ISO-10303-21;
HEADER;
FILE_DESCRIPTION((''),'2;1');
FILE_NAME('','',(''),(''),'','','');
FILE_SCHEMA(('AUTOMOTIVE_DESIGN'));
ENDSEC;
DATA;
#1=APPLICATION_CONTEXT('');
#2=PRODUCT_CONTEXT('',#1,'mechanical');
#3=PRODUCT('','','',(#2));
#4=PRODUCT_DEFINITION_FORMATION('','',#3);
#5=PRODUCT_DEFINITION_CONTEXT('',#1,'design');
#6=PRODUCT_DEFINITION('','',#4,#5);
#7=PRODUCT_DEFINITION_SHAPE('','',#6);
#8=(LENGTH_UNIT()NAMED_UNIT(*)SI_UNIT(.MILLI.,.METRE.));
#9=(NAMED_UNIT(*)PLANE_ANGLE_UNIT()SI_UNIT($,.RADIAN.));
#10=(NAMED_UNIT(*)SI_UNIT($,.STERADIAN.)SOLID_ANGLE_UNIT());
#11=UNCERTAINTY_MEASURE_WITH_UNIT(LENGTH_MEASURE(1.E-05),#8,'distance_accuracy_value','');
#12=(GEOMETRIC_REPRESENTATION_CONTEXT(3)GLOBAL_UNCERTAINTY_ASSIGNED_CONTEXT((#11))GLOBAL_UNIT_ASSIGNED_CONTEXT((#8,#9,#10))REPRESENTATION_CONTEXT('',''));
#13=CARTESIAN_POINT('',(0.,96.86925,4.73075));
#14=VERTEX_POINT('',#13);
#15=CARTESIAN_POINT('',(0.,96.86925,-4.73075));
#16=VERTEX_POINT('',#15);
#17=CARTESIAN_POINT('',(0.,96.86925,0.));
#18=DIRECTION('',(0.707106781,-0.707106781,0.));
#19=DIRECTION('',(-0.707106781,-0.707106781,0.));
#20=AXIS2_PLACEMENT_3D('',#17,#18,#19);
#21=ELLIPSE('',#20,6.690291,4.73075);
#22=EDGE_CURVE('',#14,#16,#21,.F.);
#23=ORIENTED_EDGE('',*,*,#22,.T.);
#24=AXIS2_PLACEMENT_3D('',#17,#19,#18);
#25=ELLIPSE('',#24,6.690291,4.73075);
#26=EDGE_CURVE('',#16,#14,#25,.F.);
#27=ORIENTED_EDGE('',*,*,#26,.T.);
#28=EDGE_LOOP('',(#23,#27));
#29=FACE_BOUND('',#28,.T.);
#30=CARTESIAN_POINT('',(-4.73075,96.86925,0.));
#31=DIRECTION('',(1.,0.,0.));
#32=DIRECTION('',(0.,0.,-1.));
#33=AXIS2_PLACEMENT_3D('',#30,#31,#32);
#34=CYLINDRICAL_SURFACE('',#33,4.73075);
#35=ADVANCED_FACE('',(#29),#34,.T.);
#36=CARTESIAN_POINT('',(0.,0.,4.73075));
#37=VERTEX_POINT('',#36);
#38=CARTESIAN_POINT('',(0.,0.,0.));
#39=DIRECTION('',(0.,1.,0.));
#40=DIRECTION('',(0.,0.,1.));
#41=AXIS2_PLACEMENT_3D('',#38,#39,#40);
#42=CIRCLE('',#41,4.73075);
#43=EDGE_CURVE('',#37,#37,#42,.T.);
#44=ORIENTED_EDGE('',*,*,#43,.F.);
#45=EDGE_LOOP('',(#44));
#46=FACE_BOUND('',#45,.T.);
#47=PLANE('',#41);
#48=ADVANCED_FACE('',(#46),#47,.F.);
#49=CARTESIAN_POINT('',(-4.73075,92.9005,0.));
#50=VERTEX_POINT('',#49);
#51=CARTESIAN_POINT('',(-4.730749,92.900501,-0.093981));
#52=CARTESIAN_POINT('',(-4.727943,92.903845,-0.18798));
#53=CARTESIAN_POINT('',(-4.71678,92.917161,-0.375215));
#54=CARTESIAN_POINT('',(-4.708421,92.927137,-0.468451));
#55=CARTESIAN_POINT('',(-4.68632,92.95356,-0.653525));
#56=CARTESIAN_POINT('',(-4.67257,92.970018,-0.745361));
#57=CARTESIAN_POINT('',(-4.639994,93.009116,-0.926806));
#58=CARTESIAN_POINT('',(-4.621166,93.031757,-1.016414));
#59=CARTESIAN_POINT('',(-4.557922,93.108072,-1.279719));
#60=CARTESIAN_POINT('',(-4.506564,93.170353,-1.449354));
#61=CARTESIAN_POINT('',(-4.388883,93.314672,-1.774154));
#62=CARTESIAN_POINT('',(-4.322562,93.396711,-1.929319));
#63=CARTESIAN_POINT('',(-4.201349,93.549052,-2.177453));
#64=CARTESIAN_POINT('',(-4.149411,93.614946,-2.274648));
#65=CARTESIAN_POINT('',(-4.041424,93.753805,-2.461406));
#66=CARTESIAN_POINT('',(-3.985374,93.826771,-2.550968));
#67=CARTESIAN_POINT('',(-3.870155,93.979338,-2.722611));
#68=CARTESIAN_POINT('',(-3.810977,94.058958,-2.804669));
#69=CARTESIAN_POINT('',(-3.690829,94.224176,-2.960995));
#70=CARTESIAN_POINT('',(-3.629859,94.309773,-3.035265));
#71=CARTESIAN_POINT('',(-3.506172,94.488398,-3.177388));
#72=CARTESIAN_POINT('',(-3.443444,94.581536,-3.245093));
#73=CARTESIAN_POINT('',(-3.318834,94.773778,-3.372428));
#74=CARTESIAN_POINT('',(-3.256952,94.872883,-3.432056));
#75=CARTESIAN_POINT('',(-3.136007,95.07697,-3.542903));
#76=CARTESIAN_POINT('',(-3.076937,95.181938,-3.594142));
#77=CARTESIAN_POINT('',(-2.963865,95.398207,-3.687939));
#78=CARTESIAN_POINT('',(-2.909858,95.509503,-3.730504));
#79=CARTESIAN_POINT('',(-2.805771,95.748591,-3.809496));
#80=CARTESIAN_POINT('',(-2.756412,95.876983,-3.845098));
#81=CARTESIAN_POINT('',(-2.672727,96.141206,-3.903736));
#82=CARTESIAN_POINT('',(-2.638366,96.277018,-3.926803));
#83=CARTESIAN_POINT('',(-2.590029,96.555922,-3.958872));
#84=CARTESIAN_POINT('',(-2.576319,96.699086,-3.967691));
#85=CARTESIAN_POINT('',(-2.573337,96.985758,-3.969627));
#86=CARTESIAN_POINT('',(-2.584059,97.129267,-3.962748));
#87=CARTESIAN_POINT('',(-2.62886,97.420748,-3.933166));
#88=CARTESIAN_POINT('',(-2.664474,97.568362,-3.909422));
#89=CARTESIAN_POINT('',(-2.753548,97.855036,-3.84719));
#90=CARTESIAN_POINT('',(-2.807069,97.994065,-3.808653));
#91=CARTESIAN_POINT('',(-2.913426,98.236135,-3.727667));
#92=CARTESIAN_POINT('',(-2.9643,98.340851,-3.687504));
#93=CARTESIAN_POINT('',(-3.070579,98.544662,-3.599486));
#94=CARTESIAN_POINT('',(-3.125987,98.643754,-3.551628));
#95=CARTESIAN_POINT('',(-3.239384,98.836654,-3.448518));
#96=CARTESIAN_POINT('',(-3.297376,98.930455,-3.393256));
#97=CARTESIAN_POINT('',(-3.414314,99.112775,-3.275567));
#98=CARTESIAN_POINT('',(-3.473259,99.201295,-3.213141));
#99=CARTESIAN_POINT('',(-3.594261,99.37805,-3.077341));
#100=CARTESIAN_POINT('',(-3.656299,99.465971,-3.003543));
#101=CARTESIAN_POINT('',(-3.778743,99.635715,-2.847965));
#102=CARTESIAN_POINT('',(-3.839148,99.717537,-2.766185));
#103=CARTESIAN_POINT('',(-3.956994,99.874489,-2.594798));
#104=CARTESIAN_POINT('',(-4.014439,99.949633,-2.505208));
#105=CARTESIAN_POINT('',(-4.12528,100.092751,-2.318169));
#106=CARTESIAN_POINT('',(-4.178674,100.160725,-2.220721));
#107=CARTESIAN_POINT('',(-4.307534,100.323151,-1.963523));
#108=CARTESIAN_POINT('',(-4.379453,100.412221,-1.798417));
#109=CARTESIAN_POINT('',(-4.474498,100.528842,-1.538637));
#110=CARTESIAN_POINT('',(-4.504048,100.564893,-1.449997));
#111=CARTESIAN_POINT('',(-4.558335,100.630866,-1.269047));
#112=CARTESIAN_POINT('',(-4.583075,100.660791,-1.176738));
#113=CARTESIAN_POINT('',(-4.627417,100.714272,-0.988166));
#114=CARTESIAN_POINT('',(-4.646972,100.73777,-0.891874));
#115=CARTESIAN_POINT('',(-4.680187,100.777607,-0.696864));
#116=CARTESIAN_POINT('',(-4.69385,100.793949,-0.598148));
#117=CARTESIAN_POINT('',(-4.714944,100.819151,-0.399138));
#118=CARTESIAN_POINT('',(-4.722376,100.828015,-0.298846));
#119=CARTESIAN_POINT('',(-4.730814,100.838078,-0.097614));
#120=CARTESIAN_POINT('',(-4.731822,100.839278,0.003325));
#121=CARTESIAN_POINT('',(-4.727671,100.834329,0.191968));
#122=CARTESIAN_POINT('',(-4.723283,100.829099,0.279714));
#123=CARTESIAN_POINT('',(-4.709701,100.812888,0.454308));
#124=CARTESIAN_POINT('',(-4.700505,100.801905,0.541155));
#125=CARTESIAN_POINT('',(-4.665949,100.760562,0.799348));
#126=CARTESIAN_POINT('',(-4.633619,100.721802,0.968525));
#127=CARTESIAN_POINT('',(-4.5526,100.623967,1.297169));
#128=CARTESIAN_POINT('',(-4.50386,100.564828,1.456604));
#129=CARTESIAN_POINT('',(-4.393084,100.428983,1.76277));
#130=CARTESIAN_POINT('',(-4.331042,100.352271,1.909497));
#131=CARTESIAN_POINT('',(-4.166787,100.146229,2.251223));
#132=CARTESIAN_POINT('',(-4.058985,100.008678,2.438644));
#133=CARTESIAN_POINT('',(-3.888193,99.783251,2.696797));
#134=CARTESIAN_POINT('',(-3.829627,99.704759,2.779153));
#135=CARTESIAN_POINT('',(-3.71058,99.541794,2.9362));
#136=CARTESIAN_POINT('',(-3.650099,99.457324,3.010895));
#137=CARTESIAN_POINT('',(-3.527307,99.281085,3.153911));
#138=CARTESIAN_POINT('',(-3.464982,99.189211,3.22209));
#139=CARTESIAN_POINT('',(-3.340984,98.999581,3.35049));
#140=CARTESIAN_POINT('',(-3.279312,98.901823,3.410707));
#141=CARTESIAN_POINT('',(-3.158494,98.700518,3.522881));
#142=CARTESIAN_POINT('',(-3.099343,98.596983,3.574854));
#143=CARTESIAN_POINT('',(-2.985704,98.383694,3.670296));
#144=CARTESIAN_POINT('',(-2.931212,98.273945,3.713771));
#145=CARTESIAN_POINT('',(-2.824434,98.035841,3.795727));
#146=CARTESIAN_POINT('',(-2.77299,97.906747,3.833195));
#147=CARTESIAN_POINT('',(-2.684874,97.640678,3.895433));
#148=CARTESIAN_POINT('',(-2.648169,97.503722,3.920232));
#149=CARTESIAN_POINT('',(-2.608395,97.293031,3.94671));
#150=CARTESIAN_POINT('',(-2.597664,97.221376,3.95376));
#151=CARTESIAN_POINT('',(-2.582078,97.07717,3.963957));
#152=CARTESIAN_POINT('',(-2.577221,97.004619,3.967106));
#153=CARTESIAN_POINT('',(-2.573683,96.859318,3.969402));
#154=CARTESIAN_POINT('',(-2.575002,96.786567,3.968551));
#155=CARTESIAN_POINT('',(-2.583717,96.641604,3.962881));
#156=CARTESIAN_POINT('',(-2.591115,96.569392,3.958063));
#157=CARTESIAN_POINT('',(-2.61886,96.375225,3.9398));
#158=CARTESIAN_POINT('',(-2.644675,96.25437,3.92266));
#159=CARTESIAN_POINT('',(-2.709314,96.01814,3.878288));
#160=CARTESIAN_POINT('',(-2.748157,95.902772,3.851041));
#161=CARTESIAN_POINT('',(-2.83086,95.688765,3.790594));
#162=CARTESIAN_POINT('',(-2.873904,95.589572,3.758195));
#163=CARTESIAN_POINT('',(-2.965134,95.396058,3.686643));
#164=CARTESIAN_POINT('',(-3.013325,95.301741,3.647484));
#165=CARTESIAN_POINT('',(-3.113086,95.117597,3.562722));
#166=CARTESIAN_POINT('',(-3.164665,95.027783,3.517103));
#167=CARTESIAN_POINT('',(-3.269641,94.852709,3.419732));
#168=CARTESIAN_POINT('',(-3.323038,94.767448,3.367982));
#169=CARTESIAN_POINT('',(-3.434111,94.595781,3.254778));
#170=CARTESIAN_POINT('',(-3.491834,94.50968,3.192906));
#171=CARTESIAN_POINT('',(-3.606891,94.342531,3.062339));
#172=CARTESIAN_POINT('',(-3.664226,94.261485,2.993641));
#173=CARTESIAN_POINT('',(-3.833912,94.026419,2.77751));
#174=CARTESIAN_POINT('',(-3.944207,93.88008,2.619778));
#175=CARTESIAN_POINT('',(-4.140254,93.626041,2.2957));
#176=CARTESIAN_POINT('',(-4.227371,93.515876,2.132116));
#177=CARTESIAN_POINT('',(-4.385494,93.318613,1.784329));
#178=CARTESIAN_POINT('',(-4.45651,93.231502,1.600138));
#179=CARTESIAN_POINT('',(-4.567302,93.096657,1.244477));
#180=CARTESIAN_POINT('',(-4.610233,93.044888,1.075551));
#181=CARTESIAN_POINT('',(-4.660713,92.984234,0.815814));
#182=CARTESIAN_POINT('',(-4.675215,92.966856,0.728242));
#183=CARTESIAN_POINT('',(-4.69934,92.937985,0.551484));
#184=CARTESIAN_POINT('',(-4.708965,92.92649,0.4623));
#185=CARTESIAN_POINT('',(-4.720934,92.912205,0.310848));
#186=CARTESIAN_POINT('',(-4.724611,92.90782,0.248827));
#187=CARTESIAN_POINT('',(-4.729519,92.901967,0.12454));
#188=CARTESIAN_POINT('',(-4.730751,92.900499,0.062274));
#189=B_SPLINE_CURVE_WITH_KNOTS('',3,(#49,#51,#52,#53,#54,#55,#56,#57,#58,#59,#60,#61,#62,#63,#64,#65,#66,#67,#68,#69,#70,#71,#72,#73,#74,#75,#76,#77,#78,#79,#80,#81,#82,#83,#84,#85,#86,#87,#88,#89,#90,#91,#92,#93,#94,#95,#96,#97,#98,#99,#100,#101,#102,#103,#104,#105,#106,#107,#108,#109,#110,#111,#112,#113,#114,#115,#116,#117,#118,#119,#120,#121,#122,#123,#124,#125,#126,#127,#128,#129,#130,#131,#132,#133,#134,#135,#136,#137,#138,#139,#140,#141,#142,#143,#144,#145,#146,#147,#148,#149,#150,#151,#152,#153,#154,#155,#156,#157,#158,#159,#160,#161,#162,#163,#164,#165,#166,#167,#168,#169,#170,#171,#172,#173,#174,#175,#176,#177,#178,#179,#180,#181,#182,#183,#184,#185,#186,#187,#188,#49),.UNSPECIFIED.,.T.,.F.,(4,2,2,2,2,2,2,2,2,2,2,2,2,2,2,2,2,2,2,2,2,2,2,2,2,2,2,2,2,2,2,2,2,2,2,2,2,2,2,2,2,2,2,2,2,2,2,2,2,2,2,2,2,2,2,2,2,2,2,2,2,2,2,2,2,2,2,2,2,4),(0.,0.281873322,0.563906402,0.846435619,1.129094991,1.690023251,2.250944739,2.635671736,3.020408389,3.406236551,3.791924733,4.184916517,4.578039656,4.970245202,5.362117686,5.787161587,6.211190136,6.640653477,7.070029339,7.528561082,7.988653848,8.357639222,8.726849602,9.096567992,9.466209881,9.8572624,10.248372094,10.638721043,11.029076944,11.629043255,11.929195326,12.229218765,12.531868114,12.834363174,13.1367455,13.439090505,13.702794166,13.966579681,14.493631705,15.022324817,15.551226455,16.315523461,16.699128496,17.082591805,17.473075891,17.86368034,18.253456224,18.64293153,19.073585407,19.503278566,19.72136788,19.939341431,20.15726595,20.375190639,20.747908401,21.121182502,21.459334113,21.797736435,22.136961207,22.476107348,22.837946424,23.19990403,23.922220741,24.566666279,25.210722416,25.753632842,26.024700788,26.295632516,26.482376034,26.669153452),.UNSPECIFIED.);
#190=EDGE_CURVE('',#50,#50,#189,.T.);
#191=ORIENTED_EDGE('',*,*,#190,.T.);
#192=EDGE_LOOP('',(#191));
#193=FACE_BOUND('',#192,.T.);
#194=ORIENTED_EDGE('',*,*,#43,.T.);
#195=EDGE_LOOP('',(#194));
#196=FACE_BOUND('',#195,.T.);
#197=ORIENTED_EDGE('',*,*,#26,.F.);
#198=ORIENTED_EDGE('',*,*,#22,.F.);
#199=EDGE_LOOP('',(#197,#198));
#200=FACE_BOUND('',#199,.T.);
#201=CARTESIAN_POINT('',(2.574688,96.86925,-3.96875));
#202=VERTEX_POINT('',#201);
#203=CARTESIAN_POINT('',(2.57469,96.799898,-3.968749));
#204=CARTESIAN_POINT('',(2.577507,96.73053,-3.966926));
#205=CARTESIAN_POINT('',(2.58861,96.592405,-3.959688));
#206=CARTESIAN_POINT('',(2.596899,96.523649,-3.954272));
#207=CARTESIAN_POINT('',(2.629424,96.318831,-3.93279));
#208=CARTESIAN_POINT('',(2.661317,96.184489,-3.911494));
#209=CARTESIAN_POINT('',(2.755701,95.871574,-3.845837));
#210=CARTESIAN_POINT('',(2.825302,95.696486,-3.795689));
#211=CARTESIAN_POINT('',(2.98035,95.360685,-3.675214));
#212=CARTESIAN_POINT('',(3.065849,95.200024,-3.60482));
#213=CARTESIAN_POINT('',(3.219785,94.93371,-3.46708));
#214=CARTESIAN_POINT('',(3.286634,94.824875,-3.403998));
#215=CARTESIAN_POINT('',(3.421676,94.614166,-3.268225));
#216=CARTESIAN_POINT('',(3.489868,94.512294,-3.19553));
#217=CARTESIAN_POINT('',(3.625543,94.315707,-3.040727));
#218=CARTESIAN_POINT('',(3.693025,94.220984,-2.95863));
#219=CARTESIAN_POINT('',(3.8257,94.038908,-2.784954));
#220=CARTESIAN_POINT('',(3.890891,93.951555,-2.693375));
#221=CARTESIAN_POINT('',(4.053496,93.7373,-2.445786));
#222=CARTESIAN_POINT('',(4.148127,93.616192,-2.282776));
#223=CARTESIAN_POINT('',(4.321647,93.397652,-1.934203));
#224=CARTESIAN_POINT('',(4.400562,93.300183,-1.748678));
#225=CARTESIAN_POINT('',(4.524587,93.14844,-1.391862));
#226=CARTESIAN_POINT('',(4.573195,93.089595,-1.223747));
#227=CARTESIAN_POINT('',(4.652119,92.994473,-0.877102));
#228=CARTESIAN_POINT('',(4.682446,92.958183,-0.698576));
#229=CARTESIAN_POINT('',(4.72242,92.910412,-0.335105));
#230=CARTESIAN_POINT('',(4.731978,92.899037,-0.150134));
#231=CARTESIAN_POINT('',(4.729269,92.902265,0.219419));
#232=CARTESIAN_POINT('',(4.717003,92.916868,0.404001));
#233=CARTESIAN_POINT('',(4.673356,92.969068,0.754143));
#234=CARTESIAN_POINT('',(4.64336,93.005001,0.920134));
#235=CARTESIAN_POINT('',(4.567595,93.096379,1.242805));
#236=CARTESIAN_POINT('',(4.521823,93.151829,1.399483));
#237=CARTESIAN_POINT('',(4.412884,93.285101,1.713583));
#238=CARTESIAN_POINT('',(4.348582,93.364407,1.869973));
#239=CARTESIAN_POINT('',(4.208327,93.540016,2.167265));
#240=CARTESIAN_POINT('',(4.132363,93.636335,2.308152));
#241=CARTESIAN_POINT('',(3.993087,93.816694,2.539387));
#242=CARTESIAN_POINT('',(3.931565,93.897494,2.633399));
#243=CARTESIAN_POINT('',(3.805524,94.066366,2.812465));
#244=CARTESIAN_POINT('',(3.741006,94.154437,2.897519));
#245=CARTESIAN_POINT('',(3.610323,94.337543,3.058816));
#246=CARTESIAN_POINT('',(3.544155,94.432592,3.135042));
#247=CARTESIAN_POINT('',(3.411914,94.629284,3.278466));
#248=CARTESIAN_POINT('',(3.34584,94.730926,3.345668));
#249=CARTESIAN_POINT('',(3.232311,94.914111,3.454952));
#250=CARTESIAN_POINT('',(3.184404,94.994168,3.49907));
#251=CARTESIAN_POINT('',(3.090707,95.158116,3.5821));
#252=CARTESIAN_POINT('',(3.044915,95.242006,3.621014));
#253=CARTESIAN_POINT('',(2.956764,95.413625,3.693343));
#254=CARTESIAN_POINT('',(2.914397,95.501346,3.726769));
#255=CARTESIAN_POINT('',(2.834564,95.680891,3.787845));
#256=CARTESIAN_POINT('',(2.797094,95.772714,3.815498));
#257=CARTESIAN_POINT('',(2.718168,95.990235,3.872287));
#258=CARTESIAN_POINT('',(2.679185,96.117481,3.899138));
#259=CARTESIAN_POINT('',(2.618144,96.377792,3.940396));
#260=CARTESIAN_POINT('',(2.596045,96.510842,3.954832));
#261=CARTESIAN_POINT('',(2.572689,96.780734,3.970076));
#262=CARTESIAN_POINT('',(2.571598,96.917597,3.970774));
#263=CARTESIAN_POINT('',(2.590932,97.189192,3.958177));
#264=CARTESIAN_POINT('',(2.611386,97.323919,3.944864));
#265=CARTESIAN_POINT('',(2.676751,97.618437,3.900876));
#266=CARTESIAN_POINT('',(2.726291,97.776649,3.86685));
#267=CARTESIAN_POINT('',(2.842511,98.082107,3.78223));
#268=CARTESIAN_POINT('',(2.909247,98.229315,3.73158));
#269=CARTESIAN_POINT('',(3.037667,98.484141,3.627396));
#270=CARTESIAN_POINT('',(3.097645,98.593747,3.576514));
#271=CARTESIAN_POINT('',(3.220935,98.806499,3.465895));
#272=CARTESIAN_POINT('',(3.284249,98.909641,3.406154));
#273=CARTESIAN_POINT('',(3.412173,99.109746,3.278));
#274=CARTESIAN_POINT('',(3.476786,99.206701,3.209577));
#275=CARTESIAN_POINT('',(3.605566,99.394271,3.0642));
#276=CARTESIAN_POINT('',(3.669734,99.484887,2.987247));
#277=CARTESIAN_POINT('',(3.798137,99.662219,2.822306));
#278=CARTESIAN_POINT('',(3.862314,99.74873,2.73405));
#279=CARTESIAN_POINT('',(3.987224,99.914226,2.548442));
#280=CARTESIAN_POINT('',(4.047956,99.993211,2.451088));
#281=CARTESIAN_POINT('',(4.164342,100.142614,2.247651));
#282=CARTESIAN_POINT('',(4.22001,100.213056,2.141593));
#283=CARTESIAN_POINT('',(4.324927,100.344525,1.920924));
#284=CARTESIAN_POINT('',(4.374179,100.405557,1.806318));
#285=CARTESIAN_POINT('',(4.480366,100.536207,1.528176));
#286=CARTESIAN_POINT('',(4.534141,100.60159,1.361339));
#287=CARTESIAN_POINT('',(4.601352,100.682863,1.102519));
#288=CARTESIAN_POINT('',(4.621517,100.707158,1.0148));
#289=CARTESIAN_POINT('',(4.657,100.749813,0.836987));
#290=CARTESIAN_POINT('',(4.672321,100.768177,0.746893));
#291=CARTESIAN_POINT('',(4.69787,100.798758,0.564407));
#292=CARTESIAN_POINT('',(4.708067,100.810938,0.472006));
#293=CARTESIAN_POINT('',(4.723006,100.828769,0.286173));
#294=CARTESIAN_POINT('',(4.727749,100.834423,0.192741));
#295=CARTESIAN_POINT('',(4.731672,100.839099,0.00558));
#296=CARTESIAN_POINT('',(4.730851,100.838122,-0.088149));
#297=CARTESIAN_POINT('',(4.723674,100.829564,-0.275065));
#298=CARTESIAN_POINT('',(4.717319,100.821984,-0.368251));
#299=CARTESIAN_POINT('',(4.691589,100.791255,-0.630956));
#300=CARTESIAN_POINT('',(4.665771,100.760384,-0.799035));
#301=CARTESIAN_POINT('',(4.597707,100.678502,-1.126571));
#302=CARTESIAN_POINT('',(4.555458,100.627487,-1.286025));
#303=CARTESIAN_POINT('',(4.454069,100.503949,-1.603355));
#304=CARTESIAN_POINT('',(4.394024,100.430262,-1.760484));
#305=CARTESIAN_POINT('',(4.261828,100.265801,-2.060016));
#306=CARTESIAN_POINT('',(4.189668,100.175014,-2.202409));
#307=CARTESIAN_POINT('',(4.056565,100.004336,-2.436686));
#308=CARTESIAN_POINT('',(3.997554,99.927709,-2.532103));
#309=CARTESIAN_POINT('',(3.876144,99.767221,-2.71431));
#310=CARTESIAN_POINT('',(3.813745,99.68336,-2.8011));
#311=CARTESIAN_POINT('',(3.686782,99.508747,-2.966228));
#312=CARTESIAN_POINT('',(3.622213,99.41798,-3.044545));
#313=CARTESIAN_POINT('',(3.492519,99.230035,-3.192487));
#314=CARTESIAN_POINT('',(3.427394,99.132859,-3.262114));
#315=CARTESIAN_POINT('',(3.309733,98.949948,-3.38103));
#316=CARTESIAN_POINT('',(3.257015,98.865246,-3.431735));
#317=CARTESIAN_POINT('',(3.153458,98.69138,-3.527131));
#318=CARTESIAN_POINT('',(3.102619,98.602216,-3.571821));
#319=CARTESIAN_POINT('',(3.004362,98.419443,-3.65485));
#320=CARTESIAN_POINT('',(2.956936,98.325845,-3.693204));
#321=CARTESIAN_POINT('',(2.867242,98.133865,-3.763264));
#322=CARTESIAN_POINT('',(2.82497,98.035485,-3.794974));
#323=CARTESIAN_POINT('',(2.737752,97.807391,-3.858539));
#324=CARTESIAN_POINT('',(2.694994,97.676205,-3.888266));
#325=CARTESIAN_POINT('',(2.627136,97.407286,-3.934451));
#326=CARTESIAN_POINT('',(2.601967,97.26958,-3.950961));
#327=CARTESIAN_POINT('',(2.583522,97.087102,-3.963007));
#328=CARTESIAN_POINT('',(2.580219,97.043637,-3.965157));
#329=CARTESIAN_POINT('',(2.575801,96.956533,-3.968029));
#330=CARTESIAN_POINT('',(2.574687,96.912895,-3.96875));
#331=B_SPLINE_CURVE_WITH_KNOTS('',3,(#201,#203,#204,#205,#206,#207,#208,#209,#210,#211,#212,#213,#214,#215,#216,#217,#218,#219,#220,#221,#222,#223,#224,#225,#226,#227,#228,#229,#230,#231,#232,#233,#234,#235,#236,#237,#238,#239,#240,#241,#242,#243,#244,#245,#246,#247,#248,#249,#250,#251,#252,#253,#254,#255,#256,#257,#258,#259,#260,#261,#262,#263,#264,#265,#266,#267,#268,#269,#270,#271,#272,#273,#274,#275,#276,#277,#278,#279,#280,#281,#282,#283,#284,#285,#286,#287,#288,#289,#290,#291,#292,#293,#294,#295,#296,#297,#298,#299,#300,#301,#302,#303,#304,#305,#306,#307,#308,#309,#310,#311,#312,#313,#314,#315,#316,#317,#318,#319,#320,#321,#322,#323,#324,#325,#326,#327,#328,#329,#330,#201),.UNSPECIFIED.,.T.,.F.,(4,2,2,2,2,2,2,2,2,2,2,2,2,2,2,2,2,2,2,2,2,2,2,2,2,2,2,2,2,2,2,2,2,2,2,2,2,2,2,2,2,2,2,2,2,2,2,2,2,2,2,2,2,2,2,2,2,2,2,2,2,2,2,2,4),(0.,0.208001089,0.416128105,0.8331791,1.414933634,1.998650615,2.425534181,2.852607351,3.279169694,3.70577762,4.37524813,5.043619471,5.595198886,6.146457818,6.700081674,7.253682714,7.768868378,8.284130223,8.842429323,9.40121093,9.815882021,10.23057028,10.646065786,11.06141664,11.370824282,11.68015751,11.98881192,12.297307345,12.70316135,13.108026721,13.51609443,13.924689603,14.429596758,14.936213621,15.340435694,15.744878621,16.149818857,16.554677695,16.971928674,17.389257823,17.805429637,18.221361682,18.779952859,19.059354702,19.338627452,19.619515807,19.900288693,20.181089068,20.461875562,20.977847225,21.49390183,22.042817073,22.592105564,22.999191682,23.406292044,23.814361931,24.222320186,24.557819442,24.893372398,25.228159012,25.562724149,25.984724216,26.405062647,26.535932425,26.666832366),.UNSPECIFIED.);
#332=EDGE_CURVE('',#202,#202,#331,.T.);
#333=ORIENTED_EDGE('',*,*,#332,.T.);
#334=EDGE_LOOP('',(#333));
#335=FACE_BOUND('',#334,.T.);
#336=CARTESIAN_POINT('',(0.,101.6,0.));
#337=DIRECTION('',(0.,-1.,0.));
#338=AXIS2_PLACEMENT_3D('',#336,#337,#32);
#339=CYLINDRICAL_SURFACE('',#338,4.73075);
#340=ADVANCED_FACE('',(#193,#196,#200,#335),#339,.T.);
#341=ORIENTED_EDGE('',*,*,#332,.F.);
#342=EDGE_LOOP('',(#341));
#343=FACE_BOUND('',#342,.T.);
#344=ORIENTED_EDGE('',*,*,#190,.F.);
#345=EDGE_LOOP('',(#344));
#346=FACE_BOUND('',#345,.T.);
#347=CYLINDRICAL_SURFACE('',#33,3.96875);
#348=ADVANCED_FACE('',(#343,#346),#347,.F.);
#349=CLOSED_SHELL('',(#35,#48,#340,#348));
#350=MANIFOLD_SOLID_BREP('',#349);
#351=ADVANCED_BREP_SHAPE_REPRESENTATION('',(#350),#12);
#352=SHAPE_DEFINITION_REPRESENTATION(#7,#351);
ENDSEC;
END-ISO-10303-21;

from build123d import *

# Parameters (mm, degrees)
SKETCH2_R               = 4.73075
BOSS_EXTRUDE2_DEPTH     = 101.6
CUT_EXTRUDE1_DEPTH      = 102.820037277
CUT_EXTRUDE1_DEPTH_BACK = 102.820037277
SKETCH3_R               = 3.96875


with BuildPart() as part:
    # Sketch2 → Boss-Extrude2 (new body)
    with BuildSketch(Plane(origin=(0, 0, 0), x_dir=(1, 0, 0), z_dir=(0, 1, 0))):
        with Locations(Location((0, 0, 0), (0, 0, 270))):
            Circle(SKETCH2_R)
    extrude(amount=BOSS_EXTRUDE2_DEPTH)

    # Sketch3 → Cut-Extrude1 (cut, two sides: drawn at the far end of the back side and taken through both)
    with BuildSketch(Plane(origin=(0, 0, 0), x_dir=(0, 0, -1), z_dir=(1, 0, 0)).offset(-CUT_EXTRUDE1_DEPTH_BACK)):
        with Locations((0, 96.86925)):
            Circle(SKETCH3_R)
        with BuildLine():
            Line((-4.73075, 101.6), (-4.73075, 96.86925))
            ThreePointArc((-4.73075, 96.86925), (-3.345145405, 100.214395405), (0, 101.6))
            Line((0, 101.6), (-4.73075, 101.6))
        make_face()
        with BuildLine():
            ThreePointArc((0, 101.6), (3.345145405, 100.214395405), (4.73075, 96.86925))
            Line((4.73075, 96.86925), (4.73075, 101.6))
            Line((4.73075, 101.6), (0, 101.6))
        make_face()
    extrude(amount=CUT_EXTRUDE1_DEPTH + CUT_EXTRUDE1_DEPTH_BACK, mode=Mode.SUBTRACT)


solid = part.part
